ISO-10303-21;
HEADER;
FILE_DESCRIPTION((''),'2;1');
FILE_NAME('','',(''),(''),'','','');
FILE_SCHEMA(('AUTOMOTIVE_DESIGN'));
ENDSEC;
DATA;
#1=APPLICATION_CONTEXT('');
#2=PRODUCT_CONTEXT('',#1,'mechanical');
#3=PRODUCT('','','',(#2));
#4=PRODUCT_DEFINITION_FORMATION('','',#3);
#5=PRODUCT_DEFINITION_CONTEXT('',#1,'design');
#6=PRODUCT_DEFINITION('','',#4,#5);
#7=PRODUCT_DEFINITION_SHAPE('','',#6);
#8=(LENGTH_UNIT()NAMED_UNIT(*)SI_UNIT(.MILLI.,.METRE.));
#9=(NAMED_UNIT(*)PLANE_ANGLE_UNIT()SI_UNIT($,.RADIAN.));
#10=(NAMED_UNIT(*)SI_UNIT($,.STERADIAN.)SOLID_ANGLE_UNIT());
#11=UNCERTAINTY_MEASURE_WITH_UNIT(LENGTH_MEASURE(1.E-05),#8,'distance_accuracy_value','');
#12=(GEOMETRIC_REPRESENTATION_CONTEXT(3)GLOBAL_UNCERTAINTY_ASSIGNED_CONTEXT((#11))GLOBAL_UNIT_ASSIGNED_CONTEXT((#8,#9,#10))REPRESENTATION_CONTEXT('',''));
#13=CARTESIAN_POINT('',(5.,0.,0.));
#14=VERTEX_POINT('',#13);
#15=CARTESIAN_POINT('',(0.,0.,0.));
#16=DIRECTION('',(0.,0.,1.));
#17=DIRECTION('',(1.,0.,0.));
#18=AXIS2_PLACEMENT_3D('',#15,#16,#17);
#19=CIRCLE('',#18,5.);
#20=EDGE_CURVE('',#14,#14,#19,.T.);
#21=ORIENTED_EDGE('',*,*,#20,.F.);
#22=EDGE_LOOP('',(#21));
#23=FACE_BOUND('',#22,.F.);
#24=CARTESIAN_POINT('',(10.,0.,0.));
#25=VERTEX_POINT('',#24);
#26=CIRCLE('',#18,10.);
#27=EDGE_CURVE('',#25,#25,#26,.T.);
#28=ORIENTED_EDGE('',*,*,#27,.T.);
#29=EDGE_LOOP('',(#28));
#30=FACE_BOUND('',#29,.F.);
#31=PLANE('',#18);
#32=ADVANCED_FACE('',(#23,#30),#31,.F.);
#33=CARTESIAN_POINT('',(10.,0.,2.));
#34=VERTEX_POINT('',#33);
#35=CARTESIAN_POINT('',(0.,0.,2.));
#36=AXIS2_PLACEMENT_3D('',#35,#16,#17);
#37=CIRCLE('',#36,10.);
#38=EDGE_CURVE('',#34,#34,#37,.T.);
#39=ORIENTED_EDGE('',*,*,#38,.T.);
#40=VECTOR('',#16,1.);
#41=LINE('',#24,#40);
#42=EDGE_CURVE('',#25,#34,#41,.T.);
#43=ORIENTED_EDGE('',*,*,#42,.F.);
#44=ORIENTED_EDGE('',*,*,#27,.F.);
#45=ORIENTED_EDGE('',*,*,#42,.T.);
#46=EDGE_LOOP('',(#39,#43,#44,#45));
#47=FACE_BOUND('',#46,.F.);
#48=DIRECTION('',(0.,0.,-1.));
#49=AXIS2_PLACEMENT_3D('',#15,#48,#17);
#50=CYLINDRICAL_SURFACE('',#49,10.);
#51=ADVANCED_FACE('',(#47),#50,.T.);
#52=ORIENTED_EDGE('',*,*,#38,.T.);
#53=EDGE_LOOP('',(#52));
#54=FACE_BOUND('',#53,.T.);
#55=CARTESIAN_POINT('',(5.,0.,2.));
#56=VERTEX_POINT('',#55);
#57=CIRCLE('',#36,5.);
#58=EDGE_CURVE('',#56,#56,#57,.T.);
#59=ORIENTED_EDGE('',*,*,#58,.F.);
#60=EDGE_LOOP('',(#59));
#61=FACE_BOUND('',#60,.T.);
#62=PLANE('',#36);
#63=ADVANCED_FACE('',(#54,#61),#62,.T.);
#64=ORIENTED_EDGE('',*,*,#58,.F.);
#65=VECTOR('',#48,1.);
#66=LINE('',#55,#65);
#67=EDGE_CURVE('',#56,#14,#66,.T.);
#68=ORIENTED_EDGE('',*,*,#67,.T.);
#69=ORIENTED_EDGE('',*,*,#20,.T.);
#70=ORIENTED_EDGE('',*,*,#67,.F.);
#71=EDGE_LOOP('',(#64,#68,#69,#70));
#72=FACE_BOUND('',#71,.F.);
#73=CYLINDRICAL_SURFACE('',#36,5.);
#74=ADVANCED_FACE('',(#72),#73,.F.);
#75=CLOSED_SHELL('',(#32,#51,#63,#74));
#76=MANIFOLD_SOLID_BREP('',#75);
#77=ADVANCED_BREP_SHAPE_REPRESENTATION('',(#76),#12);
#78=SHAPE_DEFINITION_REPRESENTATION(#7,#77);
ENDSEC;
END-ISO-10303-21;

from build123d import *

# Parameters (mm, degrees)
SKETCH1_R           = 10
BOSS_EXTRUDE1_DEPTH = 2
SKETCH2_R           = 5
CUT_EXTRUDE1_DEPTH  = 4


with BuildPart() as part:
    # Sketch1 → Boss-Extrude1 (new body)
    with BuildSketch(Plane.XY):
        Circle(SKETCH1_R)
    extrude(amount=BOSS_EXTRUDE1_DEPTH)

    # Sketch2 → Cut-Extrude1 (cut)
    with BuildSketch(Plane.XY.offset(2)):
        Circle(SKETCH2_R)
    extrude(amount=-CUT_EXTRUDE1_DEPTH, mode=Mode.SUBTRACT)


solid = part.part
